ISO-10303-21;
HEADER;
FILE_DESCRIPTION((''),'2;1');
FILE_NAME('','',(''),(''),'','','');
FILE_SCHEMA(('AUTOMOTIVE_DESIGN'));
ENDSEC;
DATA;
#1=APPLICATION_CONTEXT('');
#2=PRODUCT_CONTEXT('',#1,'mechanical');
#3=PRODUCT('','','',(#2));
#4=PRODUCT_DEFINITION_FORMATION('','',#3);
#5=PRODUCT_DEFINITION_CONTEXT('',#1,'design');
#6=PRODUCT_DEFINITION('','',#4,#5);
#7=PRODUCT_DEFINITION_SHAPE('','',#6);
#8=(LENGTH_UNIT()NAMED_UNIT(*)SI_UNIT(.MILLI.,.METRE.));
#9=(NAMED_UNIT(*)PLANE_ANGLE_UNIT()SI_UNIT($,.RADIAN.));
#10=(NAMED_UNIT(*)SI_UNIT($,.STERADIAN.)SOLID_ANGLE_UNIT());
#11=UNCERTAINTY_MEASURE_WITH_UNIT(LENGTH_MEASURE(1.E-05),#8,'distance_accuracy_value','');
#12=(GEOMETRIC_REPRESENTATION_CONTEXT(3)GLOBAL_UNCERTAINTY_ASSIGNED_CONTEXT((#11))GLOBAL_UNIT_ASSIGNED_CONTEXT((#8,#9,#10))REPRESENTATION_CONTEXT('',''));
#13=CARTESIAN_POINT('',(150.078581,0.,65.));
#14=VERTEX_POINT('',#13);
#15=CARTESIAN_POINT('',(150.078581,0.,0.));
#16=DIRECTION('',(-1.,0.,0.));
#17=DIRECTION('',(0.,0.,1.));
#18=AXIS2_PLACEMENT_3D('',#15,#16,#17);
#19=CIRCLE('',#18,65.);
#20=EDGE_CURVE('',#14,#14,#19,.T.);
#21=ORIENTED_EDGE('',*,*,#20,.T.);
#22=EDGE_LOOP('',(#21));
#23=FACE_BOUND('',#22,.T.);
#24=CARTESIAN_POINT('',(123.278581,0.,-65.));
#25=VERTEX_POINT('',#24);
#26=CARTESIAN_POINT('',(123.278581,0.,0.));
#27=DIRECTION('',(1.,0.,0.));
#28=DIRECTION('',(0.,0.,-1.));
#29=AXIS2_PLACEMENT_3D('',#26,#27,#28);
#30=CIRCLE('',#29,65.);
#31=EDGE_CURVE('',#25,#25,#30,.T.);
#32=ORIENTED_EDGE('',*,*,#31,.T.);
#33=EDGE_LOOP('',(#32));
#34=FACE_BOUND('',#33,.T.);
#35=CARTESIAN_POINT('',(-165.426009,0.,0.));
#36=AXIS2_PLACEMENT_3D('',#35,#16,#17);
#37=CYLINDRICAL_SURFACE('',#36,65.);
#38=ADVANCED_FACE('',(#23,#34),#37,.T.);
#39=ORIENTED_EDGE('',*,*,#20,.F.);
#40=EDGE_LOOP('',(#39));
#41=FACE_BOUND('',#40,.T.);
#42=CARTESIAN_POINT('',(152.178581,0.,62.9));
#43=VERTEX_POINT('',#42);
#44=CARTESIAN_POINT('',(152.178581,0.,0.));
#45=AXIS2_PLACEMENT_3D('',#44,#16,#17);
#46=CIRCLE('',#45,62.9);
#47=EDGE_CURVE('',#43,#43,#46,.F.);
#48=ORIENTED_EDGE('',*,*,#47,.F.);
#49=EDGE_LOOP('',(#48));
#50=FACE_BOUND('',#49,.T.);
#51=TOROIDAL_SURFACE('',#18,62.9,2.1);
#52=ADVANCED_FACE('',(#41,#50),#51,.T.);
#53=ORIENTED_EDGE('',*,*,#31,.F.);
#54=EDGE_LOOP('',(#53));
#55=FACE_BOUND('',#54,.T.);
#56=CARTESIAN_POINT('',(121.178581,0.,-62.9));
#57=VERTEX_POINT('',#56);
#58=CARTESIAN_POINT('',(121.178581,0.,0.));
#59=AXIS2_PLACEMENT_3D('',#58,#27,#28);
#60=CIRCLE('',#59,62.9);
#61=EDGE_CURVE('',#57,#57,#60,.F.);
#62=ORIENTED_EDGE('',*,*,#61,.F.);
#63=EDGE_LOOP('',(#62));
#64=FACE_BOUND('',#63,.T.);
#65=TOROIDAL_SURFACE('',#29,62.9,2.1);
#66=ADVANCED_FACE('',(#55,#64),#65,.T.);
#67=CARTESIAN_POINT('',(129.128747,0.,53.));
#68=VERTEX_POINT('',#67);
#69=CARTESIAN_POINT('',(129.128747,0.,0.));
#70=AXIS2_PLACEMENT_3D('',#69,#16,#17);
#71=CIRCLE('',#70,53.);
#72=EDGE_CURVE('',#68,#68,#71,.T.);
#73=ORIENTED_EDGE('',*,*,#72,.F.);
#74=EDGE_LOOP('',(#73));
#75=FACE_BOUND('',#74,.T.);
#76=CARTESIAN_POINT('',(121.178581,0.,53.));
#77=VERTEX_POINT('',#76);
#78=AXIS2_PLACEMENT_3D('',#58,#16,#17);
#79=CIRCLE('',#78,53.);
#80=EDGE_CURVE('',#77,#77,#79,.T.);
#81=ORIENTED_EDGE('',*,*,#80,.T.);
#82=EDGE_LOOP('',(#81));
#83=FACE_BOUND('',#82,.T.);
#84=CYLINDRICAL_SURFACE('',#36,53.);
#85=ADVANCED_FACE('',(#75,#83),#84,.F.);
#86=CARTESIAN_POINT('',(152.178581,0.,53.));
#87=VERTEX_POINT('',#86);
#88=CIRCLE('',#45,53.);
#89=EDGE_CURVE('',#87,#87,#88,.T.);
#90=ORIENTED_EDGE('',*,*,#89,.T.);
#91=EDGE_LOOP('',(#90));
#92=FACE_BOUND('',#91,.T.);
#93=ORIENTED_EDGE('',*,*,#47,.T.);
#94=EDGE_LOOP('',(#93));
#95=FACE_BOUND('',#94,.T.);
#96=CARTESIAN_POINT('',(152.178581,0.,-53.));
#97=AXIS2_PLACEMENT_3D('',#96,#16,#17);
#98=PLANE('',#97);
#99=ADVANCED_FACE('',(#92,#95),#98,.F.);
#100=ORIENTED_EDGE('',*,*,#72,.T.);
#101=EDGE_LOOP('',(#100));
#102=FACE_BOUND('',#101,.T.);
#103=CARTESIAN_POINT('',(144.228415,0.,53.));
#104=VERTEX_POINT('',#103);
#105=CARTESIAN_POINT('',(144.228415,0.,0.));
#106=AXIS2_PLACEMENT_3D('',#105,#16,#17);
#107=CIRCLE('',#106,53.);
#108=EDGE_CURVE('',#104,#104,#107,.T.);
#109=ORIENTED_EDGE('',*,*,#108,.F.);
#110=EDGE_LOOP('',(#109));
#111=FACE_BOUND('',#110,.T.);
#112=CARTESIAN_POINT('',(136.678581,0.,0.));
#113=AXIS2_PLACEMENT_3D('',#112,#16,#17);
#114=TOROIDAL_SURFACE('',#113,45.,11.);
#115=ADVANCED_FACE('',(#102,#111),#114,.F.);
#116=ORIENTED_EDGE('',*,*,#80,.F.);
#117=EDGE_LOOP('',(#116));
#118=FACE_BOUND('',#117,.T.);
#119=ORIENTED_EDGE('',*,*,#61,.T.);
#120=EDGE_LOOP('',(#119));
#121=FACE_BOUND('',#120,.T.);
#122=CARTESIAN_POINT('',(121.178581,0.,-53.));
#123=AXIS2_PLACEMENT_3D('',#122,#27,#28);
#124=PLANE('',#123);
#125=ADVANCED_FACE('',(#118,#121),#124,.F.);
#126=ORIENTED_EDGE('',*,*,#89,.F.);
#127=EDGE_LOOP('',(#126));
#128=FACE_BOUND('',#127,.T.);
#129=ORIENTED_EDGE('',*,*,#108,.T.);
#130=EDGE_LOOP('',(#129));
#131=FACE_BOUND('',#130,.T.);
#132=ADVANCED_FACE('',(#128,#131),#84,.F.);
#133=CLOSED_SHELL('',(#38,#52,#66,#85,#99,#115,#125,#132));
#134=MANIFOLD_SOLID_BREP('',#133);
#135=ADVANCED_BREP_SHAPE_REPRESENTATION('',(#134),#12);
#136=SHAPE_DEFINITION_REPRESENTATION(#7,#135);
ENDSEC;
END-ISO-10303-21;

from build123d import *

# Parameters (mm, degrees)
FILLET2_R = 2.1


with BuildPart() as part:
    # Sketch1 → Revolve1 (revolve)
    with BuildSketch(Plane(origin=(0, 0, 0), x_dir=(1, 0, 0), z_dir=(0, 1, 0)), mode=Mode.PRIVATE) as revolve1_sk:
        with BuildLine():
            Line((152.17858106, 53), (144.228415495, 53))
            ThreePointArc((144.228415495, 53), (136.67858106, 56), (129.128746624, 53))
            Line((129.128746624, 53), (121.17858106, 53))
            Line((121.17858106, 53), (121.17858106, 65))
            Line((121.17858106, 65), (152.17858106, 65))
            Line((152.17858106, 65), (152.17858106, 53))
        make_face()
    revolve(revolve1_sk.sketch.rotate(Axis((-165.426008969, 0, 0), (1, 0, 0)), 180), axis=Axis((-165.426008969, 0, 0), (1, 0, 0)))

    # Fillet2
    fillet2_edges = [part.edges().sort_by_distance(p)[0] for p in [
        (152.17858106, 0, -65),
        (121.17858106, 0, -65),
    ]]
    fillet(fillet2_edges, radius=FILLET2_R)


solid = part.part
